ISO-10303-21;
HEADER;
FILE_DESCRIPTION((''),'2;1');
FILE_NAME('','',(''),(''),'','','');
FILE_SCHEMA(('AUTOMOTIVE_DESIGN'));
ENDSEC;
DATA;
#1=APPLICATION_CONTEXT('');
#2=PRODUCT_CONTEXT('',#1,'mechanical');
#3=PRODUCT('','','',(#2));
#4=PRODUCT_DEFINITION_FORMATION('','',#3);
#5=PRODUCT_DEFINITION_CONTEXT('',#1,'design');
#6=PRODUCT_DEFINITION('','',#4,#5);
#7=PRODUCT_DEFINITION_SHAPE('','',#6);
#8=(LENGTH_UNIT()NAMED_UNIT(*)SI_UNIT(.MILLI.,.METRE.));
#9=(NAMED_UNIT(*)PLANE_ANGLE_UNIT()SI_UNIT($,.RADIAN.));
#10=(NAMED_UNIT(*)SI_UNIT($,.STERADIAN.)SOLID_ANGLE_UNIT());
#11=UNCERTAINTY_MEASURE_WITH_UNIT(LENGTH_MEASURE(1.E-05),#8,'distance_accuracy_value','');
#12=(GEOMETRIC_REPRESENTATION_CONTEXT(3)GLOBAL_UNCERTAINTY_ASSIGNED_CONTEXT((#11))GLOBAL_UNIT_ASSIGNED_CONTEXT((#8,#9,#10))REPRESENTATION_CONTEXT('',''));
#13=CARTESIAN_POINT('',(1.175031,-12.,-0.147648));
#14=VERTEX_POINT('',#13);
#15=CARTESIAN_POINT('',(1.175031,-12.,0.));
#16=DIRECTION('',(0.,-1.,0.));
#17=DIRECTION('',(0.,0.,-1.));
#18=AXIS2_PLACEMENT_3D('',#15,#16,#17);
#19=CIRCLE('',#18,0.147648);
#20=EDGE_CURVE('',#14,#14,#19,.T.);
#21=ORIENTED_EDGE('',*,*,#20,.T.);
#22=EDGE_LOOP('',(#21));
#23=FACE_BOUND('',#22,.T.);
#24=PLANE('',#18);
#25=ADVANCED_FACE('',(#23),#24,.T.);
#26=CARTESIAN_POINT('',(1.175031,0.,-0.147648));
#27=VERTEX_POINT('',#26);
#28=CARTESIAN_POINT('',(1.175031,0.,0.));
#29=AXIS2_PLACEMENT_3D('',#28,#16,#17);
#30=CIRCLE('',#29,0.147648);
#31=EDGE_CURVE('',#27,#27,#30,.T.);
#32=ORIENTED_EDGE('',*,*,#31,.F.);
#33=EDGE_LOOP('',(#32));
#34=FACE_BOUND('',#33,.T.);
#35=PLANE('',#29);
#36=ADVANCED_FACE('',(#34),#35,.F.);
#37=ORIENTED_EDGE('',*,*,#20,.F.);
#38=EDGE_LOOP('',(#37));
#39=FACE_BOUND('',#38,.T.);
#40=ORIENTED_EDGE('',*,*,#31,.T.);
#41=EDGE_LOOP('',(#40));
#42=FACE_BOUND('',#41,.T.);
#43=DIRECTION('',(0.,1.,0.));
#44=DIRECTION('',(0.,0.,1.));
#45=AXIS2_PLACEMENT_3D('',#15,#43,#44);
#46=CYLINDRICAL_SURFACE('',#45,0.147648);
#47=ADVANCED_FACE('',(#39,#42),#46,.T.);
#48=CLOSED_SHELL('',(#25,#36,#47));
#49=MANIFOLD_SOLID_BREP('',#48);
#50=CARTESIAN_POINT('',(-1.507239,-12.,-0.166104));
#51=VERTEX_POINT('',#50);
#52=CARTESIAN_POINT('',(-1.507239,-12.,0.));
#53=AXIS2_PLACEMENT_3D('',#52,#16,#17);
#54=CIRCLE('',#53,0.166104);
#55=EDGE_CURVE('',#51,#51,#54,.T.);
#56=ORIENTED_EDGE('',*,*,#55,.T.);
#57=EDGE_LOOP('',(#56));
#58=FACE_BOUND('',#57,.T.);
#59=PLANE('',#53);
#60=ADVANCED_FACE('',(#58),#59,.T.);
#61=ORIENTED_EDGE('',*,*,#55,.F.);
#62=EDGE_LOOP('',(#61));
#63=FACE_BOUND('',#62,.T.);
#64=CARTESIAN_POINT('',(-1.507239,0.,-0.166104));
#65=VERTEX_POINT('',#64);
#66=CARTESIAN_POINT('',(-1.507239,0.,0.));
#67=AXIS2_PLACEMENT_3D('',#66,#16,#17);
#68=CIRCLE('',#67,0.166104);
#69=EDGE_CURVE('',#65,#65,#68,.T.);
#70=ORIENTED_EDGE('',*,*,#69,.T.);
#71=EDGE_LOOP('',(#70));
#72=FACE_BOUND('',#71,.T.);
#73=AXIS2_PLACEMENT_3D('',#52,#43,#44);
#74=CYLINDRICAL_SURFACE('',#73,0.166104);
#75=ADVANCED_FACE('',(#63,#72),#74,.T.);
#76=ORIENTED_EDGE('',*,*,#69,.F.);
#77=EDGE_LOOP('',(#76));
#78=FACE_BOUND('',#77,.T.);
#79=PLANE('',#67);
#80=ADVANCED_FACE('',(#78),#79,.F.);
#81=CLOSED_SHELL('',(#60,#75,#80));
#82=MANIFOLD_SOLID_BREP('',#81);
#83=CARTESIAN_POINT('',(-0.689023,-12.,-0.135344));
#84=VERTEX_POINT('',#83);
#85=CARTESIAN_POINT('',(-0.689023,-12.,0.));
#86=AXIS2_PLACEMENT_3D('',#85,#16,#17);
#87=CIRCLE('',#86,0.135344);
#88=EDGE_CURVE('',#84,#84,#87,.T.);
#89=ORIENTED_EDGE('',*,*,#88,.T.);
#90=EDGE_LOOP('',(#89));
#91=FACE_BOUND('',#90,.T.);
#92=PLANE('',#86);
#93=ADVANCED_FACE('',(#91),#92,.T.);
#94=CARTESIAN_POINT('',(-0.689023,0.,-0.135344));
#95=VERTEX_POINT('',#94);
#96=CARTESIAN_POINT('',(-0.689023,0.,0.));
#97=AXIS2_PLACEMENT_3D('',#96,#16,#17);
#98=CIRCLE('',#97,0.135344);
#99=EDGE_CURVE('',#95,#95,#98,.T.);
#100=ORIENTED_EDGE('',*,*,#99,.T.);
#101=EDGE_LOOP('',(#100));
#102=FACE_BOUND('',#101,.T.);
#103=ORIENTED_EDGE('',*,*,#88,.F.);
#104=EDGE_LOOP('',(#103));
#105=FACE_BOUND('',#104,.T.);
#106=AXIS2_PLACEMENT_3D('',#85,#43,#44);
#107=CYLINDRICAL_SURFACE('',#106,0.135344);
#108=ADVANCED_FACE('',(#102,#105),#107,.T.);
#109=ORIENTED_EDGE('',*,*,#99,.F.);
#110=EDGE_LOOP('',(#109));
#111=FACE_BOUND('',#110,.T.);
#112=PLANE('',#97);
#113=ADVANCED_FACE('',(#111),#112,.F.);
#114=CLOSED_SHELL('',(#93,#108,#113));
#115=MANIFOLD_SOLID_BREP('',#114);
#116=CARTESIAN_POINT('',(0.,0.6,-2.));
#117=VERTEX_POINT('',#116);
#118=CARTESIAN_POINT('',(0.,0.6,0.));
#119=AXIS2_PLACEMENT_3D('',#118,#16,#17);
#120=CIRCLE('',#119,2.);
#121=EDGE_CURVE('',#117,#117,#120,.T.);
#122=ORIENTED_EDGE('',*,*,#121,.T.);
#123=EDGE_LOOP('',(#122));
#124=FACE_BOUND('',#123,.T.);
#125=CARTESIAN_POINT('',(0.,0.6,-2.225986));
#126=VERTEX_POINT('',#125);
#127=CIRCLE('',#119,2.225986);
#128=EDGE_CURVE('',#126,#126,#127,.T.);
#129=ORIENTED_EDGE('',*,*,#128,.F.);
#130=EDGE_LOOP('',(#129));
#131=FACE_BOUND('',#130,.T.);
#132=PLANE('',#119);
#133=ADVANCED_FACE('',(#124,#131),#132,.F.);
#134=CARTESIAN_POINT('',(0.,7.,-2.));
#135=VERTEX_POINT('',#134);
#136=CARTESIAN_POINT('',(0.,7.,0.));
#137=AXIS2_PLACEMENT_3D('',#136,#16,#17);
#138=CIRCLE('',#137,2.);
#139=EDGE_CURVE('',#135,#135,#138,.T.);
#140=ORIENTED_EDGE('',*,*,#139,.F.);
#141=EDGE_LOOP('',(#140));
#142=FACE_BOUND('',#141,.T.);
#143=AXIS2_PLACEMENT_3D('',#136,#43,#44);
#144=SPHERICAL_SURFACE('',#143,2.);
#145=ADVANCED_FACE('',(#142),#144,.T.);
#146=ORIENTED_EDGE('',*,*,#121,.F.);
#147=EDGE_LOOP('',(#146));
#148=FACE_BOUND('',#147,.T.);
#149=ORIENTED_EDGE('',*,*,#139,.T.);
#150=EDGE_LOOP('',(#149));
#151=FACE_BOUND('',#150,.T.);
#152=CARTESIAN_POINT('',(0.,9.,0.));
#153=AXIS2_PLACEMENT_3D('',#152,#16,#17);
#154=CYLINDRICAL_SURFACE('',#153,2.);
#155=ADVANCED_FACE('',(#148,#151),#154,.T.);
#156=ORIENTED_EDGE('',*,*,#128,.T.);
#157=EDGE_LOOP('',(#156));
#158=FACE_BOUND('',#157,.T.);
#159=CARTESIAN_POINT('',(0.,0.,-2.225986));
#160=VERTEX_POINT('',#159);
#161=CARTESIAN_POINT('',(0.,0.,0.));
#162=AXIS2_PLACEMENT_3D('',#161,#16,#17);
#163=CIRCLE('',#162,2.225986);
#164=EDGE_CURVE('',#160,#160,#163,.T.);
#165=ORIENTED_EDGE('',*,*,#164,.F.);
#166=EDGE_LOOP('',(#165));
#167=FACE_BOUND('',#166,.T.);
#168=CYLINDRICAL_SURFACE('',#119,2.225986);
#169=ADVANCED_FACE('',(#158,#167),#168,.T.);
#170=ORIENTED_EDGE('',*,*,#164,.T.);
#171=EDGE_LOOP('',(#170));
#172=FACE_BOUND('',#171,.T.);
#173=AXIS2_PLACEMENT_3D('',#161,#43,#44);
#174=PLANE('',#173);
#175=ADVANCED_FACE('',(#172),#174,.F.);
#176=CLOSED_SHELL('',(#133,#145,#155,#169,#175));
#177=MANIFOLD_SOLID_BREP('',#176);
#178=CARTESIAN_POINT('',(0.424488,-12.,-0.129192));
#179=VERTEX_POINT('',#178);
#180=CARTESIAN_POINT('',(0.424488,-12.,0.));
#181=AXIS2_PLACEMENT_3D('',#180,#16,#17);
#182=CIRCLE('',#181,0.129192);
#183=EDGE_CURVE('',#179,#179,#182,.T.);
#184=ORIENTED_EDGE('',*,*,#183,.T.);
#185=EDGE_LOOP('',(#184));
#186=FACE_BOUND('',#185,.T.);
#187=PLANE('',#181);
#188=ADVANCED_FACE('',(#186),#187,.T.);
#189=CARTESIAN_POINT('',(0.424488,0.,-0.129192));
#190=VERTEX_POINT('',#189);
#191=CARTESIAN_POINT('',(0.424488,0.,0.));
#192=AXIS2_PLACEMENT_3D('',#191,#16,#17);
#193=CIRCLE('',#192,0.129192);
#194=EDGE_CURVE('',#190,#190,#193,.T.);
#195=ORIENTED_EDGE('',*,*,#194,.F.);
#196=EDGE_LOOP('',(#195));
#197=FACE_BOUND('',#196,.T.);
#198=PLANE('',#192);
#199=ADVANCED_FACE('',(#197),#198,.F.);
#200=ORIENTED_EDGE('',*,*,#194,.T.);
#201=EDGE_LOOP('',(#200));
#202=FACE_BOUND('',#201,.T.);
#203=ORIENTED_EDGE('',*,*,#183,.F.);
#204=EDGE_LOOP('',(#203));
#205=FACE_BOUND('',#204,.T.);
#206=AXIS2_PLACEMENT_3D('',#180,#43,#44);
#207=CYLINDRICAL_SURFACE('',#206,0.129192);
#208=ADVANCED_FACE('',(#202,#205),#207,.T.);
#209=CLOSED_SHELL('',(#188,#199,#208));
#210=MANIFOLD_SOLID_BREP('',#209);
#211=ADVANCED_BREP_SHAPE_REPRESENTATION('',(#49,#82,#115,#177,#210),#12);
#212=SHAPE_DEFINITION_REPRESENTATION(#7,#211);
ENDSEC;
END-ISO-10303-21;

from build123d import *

# Parameters (mm, degrees)
SKETCH1_R             = 2
BOSS_EXTRUDE1_DEPTH   = 9
FILLET1_R             = 2
SKETCH2_R             = 2.225986043
SKETCH2_R_2           = 2
BOSS_EXTRUDE2_DEPTH   = 0.6
SKETCH3_R             = 0.135343866
BOSS_EXTRUDE3_DEPTH   = 12
SKETCH3_R_2           = 0.166103835
BOSS_EXTRUDE3_2_DEPTH = 12
SKETCH3_R_3           = 0.129191872
BOSS_EXTRUDE3_3_DEPTH = 12
SKETCH3_R_4           = 0.147647853
BOSS_EXTRUDE3_4_DEPTH = 12


with BuildPart() as part:
    # Sketch1 → Boss-Extrude1 (new body)
    with BuildSketch(Plane(origin=(0, 0, 0), x_dir=(1, 0, 0), z_dir=(0, 1, 0))):
        with Locations(Location((0, 0, 0), (0, 0, 270))):
            Circle(SKETCH1_R)
    extrude(amount=BOSS_EXTRUDE1_DEPTH)

    # Fillet1
    fillet1_edges = [part.edges().sort_by_distance(p)[0] for p in [
        (0, 9, -2),
    ]]
    fillet(fillet1_edges, radius=FILLET1_R)

    # Sketch2 → Boss-Extrude2 (add)
    with BuildSketch(Plane.XZ):
        with Locations(Location((0, 0, 0), (0, 0, 270))):
            Circle(SKETCH2_R)
        with Locations(Location((0, 0, 0), (0, 0, 270))):
            Circle(SKETCH2_R_2, mode=Mode.SUBTRACT)
    extrude(amount=-BOSS_EXTRUDE2_DEPTH)


with BuildPart() as body_2:
    # Sketch3 → Boss-Extrude3 (new body)
    with BuildSketch(Plane.XZ):
        with Locations(Location((-0.689023316, 0, 0), (0, 0, 270))):
            Circle(SKETCH3_R)
    extrude(amount=BOSS_EXTRUDE3_DEPTH)


with BuildPart() as body_3:
    # Sketch3 → Boss-Extrude3 2 (new body)
    with BuildSketch(Plane.XZ):
        with Locations(Location((-1.507238504, 0, 0), (0, 0, 270))):
            Circle(SKETCH3_R_2)
    extrude(amount=BOSS_EXTRUDE3_2_DEPTH)


with BuildPart() as body_4:
    # Sketch3 → Boss-Extrude3 3 (new body)
    with BuildSketch(Plane.XZ):
        with Locations(Location((0.424487579, 0, 0), (0, 0, 270))):
            Circle(SKETCH3_R_3)
    extrude(amount=BOSS_EXTRUDE3_3_DEPTH)


with BuildPart() as body_5:
    # Sketch3 → Boss-Extrude3 4 (new body)
    with BuildSketch(Plane.XZ):
        with Locations(Location((1.175030834, 0, 0), (0, 0, 270))):
            Circle(SKETCH3_R_4)
    extrude(amount=BOSS_EXTRUDE3_4_DEPTH)


solid = Compound([part.part, body_2.part, body_3.part, body_4.part, body_5.part])
